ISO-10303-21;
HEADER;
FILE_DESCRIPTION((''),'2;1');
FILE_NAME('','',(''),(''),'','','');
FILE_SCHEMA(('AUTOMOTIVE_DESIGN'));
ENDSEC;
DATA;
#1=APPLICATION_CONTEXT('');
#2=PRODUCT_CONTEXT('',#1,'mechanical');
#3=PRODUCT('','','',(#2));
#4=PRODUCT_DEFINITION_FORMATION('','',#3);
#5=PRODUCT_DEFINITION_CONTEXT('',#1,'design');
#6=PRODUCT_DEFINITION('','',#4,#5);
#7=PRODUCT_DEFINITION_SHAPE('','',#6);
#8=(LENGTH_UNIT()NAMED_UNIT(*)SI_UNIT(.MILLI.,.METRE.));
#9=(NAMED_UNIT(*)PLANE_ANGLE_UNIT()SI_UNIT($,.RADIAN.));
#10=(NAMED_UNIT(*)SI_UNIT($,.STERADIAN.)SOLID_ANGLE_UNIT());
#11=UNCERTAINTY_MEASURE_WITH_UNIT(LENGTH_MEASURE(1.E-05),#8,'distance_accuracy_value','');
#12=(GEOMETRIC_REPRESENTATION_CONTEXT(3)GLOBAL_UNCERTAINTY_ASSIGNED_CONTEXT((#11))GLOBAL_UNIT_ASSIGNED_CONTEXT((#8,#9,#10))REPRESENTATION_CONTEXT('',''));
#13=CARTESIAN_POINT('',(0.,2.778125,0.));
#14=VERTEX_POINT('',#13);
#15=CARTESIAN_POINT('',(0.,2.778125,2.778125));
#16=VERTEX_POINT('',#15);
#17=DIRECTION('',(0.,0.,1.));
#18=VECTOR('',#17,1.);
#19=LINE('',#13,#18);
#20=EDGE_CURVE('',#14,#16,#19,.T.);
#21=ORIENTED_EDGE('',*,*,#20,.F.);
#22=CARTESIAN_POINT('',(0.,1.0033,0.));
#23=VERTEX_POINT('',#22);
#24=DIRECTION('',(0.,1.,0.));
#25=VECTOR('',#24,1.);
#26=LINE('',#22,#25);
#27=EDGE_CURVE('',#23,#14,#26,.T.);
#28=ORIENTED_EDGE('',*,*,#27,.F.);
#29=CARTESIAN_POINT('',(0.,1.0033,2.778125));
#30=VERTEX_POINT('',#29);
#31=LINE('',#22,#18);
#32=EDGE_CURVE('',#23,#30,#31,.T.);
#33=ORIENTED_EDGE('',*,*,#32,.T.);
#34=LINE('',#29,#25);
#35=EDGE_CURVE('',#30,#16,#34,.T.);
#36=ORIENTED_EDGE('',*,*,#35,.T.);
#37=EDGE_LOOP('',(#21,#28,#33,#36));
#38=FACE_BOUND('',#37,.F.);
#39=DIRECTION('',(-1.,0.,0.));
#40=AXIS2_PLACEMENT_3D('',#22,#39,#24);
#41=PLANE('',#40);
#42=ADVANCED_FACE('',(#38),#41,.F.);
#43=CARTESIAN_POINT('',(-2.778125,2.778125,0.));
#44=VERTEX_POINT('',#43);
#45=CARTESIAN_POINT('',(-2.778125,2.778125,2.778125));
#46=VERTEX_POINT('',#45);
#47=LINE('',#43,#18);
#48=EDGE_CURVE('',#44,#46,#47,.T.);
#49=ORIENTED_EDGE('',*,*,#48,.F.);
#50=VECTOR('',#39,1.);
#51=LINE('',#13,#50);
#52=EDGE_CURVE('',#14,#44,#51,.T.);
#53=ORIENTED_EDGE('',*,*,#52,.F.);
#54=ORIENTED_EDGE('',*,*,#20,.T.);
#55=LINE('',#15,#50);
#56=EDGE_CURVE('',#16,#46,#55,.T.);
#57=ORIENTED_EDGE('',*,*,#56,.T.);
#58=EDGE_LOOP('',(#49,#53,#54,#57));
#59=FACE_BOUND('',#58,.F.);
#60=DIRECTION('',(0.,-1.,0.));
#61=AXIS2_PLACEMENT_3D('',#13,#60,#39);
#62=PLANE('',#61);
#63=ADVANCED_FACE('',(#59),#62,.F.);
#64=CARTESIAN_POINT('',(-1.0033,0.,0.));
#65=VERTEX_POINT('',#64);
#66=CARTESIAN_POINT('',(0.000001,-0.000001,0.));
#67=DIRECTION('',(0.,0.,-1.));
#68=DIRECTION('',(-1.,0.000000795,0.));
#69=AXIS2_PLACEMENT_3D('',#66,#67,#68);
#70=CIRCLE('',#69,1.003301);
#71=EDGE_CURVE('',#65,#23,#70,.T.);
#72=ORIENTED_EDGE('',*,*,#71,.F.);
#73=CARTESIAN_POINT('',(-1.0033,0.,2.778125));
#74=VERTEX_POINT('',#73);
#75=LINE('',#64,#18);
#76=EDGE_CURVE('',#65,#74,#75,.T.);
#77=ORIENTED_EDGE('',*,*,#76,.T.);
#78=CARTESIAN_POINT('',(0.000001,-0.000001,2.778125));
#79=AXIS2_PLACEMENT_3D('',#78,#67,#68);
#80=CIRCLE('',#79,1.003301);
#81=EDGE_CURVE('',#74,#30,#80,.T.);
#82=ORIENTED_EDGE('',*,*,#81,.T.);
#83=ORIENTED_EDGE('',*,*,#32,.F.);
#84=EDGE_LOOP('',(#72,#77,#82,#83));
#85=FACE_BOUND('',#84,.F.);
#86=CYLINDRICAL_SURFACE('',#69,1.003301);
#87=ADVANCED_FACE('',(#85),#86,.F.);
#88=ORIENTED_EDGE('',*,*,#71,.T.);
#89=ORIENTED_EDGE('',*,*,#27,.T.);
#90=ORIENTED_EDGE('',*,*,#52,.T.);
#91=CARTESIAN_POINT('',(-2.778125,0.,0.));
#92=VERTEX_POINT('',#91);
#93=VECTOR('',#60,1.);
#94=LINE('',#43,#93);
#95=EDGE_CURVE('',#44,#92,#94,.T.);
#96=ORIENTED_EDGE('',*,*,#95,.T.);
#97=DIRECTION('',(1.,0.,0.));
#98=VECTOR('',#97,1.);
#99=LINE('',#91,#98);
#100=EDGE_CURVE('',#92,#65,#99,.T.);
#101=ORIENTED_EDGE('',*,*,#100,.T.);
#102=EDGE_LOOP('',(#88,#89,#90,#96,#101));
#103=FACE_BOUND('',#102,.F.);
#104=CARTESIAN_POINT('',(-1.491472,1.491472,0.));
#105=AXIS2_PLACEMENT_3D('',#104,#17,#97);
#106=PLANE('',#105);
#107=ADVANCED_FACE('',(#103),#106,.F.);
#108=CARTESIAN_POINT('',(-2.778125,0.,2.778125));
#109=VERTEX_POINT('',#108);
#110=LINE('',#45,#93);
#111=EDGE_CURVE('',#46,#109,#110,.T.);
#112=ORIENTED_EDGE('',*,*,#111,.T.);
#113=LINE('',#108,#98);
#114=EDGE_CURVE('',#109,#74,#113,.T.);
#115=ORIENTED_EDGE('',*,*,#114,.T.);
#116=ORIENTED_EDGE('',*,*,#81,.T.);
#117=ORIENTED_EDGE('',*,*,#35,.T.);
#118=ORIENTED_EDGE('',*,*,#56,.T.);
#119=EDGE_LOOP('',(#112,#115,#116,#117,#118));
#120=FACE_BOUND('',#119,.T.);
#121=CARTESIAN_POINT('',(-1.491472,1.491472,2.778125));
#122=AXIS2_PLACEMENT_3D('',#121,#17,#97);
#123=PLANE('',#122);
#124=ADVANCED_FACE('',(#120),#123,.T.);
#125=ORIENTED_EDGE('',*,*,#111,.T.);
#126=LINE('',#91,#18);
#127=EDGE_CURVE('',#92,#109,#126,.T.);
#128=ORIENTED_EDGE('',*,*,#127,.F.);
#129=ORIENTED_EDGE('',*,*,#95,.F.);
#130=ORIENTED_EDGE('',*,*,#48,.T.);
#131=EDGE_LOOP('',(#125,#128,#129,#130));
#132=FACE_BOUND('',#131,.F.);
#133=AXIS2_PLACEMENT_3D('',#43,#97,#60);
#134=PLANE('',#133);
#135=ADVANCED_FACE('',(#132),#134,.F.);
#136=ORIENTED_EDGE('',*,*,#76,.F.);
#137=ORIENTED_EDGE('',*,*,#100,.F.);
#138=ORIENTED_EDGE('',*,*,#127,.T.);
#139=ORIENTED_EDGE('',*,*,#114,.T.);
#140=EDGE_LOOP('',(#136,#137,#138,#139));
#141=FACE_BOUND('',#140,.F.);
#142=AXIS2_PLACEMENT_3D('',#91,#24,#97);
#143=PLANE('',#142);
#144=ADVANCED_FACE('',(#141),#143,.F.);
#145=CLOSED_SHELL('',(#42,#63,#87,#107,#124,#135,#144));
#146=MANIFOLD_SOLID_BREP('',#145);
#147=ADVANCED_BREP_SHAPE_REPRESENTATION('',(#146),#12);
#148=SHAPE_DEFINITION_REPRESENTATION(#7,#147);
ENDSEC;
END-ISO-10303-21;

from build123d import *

# Parameters (mm, degrees)
F1_DEPTH = 2.778125


with BuildPart() as f1:
    # F0 (on Top) → F1 (new body)
    with BuildSketch(Plane.XY):
        with BuildLine():
            Line((-2.778125, 0), (-1.0033, 0))
            ThreePointArc((-1.0033, 0), (-0.70944, 0.70944), (0, 1.0033))
            Line((0, 1.0033), (0, 2.778125))
            Line((0, 2.778125), (-2.778125, 2.778125))
            Line((-2.778125, 2.778125), (-2.778125, 0))
        make_face()
    extrude(amount=F1_DEPTH)


solid = f1.part
